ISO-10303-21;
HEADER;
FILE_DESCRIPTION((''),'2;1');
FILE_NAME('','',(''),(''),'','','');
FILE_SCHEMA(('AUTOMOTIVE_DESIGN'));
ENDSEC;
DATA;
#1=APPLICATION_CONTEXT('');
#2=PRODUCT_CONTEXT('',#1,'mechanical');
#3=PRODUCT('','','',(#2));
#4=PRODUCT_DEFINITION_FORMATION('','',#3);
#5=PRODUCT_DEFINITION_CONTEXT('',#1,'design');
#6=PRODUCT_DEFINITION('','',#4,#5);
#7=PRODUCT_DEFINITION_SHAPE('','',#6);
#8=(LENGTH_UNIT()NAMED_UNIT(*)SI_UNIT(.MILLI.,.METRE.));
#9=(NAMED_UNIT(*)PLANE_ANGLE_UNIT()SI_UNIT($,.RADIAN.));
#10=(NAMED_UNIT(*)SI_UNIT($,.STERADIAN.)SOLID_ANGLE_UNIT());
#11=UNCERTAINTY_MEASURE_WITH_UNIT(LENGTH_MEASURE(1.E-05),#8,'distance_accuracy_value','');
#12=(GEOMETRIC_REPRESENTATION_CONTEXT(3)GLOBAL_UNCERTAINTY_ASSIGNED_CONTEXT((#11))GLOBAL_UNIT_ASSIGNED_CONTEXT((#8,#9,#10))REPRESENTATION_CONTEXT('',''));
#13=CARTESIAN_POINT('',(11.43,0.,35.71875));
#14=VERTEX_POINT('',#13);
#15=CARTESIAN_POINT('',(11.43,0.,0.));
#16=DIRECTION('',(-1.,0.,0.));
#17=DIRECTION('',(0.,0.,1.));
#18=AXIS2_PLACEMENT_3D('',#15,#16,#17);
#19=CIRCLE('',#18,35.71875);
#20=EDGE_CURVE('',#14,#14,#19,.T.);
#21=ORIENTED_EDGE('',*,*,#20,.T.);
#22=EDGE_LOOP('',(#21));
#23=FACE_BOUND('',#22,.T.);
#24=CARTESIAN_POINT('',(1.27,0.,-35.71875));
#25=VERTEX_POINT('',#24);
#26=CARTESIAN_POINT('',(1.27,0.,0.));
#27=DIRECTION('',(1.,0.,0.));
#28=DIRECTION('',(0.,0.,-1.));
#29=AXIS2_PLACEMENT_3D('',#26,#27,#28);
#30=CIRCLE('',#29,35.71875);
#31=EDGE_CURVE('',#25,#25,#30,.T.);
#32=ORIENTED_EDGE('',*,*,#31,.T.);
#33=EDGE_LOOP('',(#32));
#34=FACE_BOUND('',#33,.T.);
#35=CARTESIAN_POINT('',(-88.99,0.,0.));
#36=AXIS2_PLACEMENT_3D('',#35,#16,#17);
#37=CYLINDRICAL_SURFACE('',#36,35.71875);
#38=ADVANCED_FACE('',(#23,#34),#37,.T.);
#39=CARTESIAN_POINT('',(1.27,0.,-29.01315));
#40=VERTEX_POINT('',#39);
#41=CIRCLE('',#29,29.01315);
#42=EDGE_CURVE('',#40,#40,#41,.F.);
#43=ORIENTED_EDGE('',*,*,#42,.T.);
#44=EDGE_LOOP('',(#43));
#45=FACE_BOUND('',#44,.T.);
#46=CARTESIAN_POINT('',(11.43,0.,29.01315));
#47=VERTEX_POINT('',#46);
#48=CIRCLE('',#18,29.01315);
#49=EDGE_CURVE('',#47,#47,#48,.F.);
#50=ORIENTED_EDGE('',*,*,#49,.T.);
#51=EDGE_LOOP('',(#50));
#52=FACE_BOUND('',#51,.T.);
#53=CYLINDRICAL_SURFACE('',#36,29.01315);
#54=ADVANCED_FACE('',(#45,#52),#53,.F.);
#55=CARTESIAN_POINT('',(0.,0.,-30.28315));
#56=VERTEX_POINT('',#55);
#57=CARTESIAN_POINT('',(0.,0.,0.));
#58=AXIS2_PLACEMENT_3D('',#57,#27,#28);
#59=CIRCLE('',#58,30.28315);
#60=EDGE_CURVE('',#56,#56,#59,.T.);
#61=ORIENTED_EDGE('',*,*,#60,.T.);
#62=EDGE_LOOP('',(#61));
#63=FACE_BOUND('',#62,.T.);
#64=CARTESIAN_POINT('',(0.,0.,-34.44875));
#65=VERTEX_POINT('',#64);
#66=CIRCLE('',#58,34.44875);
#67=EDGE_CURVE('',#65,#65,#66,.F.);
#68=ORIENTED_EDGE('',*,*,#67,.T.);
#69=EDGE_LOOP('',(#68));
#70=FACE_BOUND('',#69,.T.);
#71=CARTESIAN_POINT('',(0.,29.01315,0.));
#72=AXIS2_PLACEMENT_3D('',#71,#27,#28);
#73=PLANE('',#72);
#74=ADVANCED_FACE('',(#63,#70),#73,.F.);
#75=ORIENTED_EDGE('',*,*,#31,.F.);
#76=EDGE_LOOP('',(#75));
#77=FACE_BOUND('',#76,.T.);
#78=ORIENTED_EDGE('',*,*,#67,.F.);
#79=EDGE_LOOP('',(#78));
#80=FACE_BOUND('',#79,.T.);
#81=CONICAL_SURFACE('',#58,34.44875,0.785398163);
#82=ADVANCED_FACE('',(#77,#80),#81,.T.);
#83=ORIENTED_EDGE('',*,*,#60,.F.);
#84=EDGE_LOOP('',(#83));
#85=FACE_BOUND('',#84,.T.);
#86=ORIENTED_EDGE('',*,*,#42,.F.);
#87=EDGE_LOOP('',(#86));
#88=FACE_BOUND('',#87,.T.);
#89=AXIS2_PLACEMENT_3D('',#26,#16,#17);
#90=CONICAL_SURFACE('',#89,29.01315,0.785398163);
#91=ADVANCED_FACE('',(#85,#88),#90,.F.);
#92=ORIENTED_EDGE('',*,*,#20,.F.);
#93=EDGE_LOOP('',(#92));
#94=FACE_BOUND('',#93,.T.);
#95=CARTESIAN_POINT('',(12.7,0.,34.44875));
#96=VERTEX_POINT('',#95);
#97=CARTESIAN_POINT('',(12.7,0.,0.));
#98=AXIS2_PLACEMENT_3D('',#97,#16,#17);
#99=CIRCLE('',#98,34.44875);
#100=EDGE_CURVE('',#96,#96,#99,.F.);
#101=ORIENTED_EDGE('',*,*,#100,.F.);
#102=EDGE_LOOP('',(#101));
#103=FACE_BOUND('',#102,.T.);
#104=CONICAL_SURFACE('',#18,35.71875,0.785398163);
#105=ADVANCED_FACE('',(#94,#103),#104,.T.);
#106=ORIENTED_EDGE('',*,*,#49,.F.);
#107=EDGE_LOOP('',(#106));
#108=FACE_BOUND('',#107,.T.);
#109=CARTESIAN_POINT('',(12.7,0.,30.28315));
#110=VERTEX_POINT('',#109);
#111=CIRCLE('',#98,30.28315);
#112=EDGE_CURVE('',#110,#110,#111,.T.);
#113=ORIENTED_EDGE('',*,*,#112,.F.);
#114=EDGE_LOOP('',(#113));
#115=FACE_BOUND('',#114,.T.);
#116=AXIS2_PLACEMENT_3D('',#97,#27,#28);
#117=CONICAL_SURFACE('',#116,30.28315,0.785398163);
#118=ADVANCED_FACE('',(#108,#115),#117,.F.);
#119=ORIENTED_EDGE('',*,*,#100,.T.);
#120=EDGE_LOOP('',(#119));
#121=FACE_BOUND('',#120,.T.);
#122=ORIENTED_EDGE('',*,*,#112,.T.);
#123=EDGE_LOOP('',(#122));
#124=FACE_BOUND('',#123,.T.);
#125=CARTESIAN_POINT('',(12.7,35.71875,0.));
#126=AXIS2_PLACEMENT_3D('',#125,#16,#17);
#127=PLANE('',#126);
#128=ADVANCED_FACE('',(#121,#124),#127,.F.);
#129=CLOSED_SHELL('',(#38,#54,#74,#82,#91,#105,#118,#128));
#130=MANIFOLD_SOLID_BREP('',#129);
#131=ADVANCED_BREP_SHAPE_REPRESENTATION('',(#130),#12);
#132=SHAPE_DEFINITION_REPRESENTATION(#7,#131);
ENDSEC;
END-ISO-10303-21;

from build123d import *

# Parameters (mm, degrees)
SKETCH1_W     = 12.7
SKETCH1_H     = 6.7056
CHAMFER1_SIZE = 1.27


with BuildPart() as part:
    # Sketch1 → Revolve1 (revolve)
    with BuildSketch(Plane.XY, mode=Mode.PRIVATE) as revolve1_sk:
        with Locations((6.35, 32.36595)):
            Rectangle(SKETCH1_W, SKETCH1_H)
    revolve(revolve1_sk.sketch.rotate(Axis((-88.99, 0, 0), (1, 0, 0)), 90), axis=Axis((-88.99, 0, 0), (1, 0, 0)))

    # Chamfer1
    chamfer1_edges = [part.edges().sort_by_distance(p)[0] for p in [
        (12.7, 0, -29.01315),
        (12.7, 0, -35.71875),
        (0, 0, -35.71875),
        (0, 0, -29.01315),
    ]]
    chamfer(chamfer1_edges, length=CHAMFER1_SIZE)


solid = part.part
